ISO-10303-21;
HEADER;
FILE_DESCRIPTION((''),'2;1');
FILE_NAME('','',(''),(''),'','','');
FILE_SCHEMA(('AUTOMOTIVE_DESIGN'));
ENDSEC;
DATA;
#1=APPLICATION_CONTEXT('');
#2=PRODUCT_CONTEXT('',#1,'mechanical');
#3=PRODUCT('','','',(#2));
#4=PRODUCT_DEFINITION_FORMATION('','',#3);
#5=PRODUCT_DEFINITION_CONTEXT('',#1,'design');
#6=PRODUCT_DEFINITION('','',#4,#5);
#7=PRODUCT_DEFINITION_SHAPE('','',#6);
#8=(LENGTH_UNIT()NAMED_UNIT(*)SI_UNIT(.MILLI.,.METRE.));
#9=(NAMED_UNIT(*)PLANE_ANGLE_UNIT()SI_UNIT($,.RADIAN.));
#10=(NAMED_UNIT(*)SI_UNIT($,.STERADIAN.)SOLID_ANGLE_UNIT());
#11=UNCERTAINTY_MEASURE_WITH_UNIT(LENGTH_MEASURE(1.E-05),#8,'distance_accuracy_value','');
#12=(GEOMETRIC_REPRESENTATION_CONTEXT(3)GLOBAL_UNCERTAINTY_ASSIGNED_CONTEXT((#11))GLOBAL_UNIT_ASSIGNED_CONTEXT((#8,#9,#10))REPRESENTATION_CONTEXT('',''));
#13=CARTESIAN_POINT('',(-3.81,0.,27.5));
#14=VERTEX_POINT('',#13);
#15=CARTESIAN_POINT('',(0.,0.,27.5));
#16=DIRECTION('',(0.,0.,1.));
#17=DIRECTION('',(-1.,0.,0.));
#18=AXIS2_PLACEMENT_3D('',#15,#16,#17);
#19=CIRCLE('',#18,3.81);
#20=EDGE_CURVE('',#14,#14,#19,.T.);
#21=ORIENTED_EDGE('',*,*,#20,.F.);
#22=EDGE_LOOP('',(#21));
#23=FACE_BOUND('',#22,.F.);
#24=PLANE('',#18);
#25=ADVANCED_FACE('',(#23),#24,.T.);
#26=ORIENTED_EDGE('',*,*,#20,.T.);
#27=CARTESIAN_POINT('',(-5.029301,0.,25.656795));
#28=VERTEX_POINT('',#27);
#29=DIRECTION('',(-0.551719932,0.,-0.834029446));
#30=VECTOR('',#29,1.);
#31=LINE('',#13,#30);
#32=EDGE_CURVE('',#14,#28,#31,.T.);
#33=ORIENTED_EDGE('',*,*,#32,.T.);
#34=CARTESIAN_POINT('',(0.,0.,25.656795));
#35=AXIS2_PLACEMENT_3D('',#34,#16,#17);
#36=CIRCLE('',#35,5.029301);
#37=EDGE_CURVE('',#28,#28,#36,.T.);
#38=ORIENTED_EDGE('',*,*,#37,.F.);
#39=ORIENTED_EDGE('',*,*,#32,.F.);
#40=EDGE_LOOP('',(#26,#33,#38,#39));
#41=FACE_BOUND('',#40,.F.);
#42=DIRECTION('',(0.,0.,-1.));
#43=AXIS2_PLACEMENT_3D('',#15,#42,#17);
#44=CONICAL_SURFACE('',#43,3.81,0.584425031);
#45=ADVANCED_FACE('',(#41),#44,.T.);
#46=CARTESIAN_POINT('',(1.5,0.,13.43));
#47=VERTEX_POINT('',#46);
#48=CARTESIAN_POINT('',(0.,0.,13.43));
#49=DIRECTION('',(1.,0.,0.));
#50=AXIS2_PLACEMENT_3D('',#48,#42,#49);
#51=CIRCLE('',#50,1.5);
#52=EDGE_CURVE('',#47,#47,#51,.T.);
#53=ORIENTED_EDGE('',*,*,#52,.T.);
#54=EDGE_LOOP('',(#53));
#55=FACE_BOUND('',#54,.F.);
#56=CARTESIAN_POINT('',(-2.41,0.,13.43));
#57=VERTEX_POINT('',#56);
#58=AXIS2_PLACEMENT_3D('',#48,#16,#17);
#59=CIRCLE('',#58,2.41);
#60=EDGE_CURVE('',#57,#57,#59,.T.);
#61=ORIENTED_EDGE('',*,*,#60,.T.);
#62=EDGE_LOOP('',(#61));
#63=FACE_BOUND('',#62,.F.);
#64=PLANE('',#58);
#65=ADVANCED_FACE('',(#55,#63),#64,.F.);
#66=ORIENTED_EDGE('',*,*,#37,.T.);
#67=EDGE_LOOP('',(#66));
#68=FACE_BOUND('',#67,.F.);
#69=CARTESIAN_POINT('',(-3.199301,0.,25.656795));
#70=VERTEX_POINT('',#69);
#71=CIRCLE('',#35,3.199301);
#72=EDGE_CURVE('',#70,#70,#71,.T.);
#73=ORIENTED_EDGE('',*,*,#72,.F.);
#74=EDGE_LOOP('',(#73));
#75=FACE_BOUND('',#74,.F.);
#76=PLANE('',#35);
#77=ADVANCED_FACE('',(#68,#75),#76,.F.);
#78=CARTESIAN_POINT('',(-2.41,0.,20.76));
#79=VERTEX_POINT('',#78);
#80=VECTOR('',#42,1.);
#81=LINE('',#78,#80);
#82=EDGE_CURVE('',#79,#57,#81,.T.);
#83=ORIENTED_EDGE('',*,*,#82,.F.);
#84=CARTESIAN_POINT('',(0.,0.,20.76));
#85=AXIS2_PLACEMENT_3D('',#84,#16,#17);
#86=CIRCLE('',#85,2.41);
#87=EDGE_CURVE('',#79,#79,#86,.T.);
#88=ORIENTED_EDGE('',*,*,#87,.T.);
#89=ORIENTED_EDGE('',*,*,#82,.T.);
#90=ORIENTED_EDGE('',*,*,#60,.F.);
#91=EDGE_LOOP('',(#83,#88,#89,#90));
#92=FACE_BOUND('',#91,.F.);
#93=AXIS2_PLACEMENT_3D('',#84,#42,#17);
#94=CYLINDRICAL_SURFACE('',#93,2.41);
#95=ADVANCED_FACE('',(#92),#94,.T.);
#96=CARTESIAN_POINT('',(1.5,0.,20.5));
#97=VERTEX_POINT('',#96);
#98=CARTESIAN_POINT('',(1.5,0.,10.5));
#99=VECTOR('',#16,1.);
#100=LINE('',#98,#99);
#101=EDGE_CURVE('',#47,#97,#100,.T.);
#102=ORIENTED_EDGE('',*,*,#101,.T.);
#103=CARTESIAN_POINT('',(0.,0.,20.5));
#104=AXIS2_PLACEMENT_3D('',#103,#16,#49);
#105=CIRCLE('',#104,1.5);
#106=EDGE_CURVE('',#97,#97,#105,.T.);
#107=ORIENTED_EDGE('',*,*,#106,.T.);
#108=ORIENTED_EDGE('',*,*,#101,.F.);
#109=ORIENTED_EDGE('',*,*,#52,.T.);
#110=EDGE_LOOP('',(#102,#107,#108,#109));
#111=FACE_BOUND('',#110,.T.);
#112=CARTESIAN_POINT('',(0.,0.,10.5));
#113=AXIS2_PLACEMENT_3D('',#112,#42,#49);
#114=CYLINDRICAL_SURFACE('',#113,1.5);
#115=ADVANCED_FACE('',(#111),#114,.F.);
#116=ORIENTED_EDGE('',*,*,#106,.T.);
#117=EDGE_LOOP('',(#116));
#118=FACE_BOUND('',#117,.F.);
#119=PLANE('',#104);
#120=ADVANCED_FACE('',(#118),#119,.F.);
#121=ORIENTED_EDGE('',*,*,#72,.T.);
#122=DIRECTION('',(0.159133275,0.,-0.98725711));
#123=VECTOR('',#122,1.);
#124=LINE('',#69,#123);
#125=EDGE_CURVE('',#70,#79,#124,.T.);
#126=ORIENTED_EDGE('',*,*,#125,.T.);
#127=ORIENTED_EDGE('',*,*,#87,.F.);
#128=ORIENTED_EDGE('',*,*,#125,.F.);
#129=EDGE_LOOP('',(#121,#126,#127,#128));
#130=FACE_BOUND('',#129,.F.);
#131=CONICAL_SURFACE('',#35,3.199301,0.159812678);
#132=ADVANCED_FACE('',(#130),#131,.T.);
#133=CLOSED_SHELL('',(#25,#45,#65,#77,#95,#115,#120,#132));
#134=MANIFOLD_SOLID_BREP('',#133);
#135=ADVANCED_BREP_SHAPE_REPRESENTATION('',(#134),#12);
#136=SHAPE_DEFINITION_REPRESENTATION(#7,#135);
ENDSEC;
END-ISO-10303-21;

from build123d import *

# Parameters (mm, degrees)
CYLINDER014_R     = 1.5
CYLINDER014_DEPTH = 10


with BuildPart() as zylinder014:
    # Cylinder014 → Cylinder014 (new body)
    with BuildSketch(Plane.XY.offset(-17)):
        Circle(CYLINDER014_R)
    extrude(amount=CYLINDER014_DEPTH)


with BuildPart() as cut016:
    # Sketch006 → Revolve001 (revolve)
    with BuildSketch(Plane.XZ):
        Polygon((0, 0), (-3.81, 0), (-5.029301, -1.843205), (-3.199301, -1.843205), (-2.41, -6.74), (-2.41, -14.07), (0, -14.07), align=None)
    revolve(axis=Axis((0, 0, 0), (0, 0, 1)))

    # Cut016: cut Zylinder014
    add(zylinder014.part, mode=Mode.SUBTRACT)


with BuildPart() as cut016_1:
    # Cut016 placement: moved
    add(cut016.part.moved(Location((0, 0, 27.5))))


solid = cut016_1.part
